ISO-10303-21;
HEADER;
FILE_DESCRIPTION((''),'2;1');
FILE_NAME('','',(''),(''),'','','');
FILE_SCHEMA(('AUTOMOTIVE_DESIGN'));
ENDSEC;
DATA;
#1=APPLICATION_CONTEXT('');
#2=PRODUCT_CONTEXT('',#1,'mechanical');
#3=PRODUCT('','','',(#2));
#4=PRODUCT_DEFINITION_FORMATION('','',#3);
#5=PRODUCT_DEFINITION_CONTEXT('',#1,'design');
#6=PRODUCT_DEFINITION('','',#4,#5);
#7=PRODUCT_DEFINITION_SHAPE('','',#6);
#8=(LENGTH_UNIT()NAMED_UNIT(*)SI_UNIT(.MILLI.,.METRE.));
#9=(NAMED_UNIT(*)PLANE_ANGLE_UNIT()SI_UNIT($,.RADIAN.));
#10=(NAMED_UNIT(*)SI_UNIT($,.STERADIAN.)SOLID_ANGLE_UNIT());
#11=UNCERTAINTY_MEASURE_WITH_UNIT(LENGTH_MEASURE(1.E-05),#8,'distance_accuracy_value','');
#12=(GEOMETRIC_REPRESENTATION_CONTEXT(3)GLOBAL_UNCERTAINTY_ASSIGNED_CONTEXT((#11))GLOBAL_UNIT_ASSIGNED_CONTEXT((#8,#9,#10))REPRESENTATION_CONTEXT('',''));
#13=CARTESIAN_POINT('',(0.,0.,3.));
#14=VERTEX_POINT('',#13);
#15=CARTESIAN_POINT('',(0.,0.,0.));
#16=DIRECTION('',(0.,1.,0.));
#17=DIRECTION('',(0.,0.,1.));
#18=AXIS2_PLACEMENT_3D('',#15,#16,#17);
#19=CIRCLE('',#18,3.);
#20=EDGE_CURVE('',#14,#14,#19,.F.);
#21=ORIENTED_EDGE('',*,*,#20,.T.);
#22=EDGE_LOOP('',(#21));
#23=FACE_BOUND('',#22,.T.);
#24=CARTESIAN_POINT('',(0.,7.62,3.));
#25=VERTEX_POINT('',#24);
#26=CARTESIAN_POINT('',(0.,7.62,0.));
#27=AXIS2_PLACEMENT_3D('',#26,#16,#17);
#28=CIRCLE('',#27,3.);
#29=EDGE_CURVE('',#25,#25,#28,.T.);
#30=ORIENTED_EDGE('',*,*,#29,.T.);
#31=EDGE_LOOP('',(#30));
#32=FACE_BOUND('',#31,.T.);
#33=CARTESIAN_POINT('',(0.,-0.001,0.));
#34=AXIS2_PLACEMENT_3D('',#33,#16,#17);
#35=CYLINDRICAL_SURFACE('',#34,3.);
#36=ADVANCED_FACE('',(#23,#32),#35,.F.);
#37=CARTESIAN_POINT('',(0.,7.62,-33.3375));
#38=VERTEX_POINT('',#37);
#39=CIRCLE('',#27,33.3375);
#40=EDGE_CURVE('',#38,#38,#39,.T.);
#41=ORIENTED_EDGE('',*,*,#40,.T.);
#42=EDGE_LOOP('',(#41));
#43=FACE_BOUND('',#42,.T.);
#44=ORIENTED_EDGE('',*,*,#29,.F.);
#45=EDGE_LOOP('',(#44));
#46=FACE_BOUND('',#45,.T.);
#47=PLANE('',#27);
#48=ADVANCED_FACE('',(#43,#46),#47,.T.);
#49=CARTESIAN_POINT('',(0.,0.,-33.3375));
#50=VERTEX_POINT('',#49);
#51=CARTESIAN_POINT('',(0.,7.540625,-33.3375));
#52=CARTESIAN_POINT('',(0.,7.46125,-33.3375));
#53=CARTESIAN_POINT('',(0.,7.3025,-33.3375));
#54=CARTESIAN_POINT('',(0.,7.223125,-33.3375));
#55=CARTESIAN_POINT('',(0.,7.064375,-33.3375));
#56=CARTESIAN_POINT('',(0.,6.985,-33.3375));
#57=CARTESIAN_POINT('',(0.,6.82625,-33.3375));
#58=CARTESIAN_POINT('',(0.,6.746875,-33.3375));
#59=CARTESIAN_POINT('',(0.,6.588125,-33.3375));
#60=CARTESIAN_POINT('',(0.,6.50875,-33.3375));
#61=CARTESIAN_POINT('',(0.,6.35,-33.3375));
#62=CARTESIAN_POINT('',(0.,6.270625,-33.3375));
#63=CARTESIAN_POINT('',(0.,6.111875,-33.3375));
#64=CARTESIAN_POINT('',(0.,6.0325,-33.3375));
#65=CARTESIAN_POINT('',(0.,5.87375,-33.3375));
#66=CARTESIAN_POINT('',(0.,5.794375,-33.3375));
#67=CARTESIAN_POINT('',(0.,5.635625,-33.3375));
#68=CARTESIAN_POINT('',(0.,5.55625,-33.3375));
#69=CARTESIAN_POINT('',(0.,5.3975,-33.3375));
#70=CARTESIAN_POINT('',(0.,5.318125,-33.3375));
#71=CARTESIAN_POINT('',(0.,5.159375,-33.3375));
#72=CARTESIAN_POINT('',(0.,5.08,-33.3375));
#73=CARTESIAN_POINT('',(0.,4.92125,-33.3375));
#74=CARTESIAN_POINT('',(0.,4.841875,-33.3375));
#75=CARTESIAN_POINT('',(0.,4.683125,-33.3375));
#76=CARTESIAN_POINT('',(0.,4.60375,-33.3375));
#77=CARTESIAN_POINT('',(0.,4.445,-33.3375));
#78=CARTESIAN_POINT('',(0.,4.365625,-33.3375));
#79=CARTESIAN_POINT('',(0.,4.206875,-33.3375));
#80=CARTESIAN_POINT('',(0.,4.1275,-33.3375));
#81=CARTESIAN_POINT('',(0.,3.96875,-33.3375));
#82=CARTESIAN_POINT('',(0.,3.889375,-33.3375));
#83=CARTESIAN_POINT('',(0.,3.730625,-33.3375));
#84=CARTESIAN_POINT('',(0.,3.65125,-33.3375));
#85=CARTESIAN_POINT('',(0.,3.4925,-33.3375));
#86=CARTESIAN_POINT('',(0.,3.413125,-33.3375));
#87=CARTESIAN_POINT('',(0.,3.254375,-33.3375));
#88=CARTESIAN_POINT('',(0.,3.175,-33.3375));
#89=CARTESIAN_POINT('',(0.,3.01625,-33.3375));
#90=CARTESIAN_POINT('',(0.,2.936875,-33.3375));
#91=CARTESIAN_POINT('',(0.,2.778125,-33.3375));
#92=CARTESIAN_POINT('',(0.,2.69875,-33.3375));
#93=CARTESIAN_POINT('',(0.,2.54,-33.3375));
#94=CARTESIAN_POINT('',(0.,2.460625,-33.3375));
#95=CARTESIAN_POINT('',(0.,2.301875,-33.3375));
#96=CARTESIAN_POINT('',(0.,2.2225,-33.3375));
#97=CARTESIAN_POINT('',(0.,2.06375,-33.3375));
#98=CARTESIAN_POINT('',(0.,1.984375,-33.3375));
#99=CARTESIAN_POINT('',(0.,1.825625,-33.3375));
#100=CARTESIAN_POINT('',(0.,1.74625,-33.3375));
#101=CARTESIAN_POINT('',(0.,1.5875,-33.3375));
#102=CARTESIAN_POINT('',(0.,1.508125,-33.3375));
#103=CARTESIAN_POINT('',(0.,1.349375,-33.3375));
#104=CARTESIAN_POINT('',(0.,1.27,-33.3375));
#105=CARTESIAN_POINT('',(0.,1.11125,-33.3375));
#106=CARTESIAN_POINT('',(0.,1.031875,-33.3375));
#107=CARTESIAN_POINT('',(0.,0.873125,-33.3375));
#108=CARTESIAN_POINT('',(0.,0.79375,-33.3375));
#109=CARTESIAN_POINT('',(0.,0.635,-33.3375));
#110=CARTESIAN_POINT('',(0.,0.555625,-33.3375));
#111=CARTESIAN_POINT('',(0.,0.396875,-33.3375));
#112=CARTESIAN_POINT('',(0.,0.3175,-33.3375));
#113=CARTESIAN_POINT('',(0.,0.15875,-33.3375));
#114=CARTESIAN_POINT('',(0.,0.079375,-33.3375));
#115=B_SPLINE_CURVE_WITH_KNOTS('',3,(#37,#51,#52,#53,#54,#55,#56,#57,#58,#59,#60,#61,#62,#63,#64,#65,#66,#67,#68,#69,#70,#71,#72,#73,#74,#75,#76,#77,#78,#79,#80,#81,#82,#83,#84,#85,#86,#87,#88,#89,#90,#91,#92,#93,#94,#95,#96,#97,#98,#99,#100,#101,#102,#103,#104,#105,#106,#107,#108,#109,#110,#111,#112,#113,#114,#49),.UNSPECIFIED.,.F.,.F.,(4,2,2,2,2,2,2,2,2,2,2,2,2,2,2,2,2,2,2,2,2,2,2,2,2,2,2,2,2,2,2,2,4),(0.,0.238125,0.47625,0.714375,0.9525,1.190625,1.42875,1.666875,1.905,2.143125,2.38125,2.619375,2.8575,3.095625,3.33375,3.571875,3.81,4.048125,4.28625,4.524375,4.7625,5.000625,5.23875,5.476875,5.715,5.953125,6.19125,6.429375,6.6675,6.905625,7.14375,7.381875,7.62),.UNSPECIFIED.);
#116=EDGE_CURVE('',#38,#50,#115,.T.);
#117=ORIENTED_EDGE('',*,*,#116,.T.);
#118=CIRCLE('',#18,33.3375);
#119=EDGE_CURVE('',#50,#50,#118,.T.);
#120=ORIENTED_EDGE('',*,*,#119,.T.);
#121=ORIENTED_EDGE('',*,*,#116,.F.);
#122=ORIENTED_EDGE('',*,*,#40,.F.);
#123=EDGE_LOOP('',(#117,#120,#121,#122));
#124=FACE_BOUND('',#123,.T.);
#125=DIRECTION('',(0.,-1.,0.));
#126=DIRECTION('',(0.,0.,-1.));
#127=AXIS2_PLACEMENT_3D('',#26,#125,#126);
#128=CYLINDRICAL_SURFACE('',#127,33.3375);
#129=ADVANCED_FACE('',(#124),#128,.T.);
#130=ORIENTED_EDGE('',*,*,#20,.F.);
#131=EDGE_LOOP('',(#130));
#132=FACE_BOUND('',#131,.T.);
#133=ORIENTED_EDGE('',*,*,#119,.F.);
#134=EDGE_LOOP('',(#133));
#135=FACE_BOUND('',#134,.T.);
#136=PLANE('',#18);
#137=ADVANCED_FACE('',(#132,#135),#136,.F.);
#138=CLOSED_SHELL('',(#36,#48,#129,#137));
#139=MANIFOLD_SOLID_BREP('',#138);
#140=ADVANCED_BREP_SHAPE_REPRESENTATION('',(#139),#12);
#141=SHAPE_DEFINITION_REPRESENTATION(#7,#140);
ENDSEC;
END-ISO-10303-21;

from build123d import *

# Parameters (mm, degrees)
SKETCH2_R           = 33.3375
BOSS_EXTRUDE1_DEPTH = 7.62
CUT_EXTRUDE1_REACH  = 49.758
SKETCH3_R           = 3


with BuildPart() as part:
    # Sketch2 → Boss-Extrude1 (new body)
    with BuildSketch(Plane(origin=(0, 0, 0), x_dir=(1, 0, 0), z_dir=(0, 1, 0))):
        with Locations(Location((0, 0, 0), (0, 0, 90))):
            Circle(SKETCH2_R)
    extrude(amount=BOSS_EXTRUDE1_DEPTH)

    # Sketch3 → Cut-Extrude1 (cut, up to next)
    with BuildSketch(Plane(origin=(0, 7.62, 0), x_dir=(1, 0, 0), z_dir=(0, 1, 0)), mode=Mode.PRIVATE) as cut_extrude1_sk1:
        with Locations(Location((0, 0, 0), (0, 0, 270))):
            Circle(SKETCH3_R)
    cut_extrude1_tool1 = extrude(cut_extrude1_sk1.sketch, amount=-CUT_EXTRUDE1_REACH, mode=Mode.PRIVATE) & part.part
    add(cut_extrude1_tool1.solids().sort_by_distance((0, 7.62, 0))[0], mode=Mode.SUBTRACT)


solid = part.part
